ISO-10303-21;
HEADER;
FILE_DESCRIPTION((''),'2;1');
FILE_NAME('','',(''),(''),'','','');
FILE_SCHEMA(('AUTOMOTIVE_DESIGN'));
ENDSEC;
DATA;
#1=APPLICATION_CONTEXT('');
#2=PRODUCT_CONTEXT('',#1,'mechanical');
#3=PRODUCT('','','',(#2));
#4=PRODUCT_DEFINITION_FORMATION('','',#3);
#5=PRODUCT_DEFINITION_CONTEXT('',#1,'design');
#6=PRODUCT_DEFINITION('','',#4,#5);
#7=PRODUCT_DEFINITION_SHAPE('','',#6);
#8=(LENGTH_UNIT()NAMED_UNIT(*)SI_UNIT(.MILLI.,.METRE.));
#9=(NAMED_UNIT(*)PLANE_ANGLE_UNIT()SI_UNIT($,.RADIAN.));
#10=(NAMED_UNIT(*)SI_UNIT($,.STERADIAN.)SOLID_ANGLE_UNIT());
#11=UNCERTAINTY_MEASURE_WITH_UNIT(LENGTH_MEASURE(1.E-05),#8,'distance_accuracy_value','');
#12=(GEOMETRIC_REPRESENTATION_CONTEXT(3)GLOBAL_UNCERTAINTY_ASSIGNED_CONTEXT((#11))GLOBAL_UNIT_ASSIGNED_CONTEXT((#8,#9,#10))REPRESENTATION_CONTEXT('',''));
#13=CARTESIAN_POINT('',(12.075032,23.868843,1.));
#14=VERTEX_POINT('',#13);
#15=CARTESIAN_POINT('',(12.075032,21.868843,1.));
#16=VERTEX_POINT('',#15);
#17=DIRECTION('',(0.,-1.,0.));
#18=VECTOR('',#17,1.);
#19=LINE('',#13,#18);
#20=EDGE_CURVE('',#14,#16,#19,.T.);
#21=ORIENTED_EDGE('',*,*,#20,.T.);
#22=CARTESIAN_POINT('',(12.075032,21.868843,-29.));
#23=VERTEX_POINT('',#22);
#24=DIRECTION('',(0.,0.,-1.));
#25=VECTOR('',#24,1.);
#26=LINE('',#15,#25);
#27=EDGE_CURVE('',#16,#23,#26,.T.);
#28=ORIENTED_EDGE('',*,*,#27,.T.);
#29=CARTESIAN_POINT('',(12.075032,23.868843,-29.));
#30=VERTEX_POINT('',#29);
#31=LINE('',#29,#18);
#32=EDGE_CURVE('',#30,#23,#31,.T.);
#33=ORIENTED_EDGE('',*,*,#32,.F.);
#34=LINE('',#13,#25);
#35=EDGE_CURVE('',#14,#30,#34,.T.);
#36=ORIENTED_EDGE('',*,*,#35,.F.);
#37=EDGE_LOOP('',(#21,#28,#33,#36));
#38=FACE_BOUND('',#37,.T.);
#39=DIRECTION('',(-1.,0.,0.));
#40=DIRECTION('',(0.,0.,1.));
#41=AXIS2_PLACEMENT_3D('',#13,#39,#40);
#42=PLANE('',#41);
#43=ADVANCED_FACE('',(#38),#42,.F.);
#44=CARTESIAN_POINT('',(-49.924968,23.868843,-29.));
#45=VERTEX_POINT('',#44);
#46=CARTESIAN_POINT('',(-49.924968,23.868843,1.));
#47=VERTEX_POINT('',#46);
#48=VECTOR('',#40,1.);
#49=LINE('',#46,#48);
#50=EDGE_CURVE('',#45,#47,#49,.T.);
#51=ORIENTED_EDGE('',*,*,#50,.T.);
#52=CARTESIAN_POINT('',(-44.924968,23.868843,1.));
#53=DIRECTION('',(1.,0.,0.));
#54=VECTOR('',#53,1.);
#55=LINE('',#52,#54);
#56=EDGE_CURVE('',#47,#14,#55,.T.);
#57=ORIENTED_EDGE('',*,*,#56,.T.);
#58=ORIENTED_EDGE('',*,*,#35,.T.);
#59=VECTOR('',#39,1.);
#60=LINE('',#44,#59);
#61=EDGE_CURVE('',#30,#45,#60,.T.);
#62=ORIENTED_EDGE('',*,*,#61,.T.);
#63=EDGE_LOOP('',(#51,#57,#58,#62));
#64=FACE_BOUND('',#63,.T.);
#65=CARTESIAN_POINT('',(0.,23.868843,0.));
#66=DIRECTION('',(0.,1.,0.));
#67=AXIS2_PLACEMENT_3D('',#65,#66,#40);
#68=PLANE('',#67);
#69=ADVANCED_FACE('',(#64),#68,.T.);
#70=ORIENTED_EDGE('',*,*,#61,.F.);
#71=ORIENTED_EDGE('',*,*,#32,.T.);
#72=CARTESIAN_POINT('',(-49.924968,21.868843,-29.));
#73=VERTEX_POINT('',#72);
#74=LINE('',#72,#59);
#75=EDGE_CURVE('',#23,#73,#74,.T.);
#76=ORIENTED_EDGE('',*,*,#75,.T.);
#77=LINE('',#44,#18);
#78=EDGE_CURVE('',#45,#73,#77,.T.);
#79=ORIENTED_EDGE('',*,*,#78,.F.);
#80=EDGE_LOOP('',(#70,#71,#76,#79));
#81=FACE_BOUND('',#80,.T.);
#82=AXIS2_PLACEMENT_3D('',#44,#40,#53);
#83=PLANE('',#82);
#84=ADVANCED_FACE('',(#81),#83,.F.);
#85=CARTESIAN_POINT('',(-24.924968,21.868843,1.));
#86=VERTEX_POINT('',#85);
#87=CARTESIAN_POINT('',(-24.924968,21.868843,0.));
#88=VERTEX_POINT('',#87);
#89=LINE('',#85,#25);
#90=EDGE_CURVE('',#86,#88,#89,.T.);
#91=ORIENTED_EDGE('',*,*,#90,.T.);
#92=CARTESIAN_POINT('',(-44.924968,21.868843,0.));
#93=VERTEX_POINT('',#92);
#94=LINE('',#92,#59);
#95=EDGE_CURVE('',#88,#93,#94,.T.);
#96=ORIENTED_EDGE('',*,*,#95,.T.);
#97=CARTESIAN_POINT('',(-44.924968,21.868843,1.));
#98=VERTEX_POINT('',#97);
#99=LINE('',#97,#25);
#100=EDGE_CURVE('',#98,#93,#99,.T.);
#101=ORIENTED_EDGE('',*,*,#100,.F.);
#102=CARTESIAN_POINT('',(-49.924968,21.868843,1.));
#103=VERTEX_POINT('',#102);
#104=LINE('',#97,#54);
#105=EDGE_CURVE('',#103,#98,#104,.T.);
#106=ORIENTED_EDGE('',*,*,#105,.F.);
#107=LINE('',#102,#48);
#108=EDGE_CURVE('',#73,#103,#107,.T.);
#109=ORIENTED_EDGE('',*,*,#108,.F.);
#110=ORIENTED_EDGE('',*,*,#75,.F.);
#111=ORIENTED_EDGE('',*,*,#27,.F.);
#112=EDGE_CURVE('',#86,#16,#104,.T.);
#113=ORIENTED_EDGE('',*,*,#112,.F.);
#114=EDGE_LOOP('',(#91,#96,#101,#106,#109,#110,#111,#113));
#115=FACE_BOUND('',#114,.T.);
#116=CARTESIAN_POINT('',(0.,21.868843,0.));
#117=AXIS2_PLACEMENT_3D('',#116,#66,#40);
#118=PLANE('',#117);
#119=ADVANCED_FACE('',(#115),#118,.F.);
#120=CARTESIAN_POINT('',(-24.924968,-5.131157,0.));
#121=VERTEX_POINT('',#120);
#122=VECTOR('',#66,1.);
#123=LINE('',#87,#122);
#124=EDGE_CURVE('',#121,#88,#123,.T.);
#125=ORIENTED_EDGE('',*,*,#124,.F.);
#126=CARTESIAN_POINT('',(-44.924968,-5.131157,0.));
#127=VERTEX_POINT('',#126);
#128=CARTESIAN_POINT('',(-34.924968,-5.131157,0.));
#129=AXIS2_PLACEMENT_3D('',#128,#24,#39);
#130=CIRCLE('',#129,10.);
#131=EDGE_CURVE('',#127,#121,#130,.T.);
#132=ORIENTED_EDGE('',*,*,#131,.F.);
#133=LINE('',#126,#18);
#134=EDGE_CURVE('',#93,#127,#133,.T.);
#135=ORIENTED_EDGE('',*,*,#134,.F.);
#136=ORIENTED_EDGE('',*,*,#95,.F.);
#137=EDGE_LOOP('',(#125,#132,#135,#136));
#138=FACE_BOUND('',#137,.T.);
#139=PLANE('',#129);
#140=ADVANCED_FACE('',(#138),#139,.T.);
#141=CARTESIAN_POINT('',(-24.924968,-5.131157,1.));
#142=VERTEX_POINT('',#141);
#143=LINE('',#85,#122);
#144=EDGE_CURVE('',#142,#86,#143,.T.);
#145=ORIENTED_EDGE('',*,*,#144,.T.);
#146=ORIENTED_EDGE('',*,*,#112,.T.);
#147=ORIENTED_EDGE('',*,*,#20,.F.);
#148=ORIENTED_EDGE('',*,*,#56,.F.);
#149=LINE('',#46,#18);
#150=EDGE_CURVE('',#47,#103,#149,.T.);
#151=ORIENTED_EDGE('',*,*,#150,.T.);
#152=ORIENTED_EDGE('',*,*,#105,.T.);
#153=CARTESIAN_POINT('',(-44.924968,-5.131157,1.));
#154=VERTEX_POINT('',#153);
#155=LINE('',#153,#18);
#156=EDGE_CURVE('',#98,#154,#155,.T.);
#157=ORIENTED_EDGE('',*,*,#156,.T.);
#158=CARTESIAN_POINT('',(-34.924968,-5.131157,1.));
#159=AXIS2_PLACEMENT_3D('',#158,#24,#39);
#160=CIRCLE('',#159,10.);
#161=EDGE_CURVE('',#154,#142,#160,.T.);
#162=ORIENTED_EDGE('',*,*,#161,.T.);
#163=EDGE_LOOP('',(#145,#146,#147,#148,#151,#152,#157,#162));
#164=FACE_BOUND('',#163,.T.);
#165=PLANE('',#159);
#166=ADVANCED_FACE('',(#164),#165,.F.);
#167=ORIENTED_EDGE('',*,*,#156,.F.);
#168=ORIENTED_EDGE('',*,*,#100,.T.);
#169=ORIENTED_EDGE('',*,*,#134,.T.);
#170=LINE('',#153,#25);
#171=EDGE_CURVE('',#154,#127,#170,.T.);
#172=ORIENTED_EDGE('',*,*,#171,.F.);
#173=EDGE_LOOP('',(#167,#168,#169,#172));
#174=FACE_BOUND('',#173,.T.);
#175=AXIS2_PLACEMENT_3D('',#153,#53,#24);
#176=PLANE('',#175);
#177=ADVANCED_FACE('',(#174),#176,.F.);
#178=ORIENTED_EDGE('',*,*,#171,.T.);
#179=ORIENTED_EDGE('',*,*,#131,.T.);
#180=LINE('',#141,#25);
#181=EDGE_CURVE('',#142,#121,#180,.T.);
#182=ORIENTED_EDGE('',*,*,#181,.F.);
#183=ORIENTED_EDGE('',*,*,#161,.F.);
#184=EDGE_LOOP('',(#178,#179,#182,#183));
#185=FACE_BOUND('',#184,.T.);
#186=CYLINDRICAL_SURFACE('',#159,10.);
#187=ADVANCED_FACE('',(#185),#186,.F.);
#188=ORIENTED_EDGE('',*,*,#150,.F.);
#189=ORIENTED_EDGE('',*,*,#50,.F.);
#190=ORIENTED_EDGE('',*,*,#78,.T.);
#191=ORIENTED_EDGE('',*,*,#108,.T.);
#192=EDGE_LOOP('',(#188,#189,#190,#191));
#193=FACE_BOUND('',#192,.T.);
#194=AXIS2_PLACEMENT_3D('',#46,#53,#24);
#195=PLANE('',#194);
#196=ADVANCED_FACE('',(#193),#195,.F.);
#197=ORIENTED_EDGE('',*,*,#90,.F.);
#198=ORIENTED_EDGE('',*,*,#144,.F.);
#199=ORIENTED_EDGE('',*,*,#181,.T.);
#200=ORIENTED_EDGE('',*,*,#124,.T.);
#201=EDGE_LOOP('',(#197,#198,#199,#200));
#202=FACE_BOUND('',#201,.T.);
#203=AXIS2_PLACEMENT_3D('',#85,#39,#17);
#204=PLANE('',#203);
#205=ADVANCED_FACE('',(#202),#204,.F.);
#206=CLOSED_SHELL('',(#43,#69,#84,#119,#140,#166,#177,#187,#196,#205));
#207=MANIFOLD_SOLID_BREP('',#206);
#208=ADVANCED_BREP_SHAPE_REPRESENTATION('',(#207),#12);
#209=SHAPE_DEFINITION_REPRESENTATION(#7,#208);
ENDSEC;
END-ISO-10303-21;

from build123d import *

# Parameters (mm, degrees)
BOSS_EXTRUDE1_DEPTH = 1
BOSS_EXTRUDE2_DEPTH = 2


with BuildPart() as part:
    # Sketch2 → Boss-Extrude1 (new body)
    with BuildSketch(Plane.XY):
        with BuildLine():
            Line((-44.924968499, -5.131156509), (-44.924968499, 21.868843491))
            Line((-44.924968499, 21.868843491), (-24.924968499, 21.868843491))
            Line((-24.924968499, 21.868843491), (-24.924968499, -5.131156509))
            ThreePointArc((-24.924968499, -5.131156509), (-34.924968499, 4.868843491), (-44.924968499, -5.131156509))
        make_face()
    extrude(amount=BOSS_EXTRUDE1_DEPTH)

    # Sketch3 → Boss-Extrude2 (add)
    with BuildSketch(Plane(origin=(0, 21.868843491, 0), x_dir=(1, 0, 0), z_dir=(0, 1, 0))):
        Polygon((-44.924968499, -1), (-49.924968499, -1), (-49.924968499, 29), (12.075031501, 29), (12.075031501, -1), align=None)
    extrude(amount=BOSS_EXTRUDE2_DEPTH)


solid = part.part
